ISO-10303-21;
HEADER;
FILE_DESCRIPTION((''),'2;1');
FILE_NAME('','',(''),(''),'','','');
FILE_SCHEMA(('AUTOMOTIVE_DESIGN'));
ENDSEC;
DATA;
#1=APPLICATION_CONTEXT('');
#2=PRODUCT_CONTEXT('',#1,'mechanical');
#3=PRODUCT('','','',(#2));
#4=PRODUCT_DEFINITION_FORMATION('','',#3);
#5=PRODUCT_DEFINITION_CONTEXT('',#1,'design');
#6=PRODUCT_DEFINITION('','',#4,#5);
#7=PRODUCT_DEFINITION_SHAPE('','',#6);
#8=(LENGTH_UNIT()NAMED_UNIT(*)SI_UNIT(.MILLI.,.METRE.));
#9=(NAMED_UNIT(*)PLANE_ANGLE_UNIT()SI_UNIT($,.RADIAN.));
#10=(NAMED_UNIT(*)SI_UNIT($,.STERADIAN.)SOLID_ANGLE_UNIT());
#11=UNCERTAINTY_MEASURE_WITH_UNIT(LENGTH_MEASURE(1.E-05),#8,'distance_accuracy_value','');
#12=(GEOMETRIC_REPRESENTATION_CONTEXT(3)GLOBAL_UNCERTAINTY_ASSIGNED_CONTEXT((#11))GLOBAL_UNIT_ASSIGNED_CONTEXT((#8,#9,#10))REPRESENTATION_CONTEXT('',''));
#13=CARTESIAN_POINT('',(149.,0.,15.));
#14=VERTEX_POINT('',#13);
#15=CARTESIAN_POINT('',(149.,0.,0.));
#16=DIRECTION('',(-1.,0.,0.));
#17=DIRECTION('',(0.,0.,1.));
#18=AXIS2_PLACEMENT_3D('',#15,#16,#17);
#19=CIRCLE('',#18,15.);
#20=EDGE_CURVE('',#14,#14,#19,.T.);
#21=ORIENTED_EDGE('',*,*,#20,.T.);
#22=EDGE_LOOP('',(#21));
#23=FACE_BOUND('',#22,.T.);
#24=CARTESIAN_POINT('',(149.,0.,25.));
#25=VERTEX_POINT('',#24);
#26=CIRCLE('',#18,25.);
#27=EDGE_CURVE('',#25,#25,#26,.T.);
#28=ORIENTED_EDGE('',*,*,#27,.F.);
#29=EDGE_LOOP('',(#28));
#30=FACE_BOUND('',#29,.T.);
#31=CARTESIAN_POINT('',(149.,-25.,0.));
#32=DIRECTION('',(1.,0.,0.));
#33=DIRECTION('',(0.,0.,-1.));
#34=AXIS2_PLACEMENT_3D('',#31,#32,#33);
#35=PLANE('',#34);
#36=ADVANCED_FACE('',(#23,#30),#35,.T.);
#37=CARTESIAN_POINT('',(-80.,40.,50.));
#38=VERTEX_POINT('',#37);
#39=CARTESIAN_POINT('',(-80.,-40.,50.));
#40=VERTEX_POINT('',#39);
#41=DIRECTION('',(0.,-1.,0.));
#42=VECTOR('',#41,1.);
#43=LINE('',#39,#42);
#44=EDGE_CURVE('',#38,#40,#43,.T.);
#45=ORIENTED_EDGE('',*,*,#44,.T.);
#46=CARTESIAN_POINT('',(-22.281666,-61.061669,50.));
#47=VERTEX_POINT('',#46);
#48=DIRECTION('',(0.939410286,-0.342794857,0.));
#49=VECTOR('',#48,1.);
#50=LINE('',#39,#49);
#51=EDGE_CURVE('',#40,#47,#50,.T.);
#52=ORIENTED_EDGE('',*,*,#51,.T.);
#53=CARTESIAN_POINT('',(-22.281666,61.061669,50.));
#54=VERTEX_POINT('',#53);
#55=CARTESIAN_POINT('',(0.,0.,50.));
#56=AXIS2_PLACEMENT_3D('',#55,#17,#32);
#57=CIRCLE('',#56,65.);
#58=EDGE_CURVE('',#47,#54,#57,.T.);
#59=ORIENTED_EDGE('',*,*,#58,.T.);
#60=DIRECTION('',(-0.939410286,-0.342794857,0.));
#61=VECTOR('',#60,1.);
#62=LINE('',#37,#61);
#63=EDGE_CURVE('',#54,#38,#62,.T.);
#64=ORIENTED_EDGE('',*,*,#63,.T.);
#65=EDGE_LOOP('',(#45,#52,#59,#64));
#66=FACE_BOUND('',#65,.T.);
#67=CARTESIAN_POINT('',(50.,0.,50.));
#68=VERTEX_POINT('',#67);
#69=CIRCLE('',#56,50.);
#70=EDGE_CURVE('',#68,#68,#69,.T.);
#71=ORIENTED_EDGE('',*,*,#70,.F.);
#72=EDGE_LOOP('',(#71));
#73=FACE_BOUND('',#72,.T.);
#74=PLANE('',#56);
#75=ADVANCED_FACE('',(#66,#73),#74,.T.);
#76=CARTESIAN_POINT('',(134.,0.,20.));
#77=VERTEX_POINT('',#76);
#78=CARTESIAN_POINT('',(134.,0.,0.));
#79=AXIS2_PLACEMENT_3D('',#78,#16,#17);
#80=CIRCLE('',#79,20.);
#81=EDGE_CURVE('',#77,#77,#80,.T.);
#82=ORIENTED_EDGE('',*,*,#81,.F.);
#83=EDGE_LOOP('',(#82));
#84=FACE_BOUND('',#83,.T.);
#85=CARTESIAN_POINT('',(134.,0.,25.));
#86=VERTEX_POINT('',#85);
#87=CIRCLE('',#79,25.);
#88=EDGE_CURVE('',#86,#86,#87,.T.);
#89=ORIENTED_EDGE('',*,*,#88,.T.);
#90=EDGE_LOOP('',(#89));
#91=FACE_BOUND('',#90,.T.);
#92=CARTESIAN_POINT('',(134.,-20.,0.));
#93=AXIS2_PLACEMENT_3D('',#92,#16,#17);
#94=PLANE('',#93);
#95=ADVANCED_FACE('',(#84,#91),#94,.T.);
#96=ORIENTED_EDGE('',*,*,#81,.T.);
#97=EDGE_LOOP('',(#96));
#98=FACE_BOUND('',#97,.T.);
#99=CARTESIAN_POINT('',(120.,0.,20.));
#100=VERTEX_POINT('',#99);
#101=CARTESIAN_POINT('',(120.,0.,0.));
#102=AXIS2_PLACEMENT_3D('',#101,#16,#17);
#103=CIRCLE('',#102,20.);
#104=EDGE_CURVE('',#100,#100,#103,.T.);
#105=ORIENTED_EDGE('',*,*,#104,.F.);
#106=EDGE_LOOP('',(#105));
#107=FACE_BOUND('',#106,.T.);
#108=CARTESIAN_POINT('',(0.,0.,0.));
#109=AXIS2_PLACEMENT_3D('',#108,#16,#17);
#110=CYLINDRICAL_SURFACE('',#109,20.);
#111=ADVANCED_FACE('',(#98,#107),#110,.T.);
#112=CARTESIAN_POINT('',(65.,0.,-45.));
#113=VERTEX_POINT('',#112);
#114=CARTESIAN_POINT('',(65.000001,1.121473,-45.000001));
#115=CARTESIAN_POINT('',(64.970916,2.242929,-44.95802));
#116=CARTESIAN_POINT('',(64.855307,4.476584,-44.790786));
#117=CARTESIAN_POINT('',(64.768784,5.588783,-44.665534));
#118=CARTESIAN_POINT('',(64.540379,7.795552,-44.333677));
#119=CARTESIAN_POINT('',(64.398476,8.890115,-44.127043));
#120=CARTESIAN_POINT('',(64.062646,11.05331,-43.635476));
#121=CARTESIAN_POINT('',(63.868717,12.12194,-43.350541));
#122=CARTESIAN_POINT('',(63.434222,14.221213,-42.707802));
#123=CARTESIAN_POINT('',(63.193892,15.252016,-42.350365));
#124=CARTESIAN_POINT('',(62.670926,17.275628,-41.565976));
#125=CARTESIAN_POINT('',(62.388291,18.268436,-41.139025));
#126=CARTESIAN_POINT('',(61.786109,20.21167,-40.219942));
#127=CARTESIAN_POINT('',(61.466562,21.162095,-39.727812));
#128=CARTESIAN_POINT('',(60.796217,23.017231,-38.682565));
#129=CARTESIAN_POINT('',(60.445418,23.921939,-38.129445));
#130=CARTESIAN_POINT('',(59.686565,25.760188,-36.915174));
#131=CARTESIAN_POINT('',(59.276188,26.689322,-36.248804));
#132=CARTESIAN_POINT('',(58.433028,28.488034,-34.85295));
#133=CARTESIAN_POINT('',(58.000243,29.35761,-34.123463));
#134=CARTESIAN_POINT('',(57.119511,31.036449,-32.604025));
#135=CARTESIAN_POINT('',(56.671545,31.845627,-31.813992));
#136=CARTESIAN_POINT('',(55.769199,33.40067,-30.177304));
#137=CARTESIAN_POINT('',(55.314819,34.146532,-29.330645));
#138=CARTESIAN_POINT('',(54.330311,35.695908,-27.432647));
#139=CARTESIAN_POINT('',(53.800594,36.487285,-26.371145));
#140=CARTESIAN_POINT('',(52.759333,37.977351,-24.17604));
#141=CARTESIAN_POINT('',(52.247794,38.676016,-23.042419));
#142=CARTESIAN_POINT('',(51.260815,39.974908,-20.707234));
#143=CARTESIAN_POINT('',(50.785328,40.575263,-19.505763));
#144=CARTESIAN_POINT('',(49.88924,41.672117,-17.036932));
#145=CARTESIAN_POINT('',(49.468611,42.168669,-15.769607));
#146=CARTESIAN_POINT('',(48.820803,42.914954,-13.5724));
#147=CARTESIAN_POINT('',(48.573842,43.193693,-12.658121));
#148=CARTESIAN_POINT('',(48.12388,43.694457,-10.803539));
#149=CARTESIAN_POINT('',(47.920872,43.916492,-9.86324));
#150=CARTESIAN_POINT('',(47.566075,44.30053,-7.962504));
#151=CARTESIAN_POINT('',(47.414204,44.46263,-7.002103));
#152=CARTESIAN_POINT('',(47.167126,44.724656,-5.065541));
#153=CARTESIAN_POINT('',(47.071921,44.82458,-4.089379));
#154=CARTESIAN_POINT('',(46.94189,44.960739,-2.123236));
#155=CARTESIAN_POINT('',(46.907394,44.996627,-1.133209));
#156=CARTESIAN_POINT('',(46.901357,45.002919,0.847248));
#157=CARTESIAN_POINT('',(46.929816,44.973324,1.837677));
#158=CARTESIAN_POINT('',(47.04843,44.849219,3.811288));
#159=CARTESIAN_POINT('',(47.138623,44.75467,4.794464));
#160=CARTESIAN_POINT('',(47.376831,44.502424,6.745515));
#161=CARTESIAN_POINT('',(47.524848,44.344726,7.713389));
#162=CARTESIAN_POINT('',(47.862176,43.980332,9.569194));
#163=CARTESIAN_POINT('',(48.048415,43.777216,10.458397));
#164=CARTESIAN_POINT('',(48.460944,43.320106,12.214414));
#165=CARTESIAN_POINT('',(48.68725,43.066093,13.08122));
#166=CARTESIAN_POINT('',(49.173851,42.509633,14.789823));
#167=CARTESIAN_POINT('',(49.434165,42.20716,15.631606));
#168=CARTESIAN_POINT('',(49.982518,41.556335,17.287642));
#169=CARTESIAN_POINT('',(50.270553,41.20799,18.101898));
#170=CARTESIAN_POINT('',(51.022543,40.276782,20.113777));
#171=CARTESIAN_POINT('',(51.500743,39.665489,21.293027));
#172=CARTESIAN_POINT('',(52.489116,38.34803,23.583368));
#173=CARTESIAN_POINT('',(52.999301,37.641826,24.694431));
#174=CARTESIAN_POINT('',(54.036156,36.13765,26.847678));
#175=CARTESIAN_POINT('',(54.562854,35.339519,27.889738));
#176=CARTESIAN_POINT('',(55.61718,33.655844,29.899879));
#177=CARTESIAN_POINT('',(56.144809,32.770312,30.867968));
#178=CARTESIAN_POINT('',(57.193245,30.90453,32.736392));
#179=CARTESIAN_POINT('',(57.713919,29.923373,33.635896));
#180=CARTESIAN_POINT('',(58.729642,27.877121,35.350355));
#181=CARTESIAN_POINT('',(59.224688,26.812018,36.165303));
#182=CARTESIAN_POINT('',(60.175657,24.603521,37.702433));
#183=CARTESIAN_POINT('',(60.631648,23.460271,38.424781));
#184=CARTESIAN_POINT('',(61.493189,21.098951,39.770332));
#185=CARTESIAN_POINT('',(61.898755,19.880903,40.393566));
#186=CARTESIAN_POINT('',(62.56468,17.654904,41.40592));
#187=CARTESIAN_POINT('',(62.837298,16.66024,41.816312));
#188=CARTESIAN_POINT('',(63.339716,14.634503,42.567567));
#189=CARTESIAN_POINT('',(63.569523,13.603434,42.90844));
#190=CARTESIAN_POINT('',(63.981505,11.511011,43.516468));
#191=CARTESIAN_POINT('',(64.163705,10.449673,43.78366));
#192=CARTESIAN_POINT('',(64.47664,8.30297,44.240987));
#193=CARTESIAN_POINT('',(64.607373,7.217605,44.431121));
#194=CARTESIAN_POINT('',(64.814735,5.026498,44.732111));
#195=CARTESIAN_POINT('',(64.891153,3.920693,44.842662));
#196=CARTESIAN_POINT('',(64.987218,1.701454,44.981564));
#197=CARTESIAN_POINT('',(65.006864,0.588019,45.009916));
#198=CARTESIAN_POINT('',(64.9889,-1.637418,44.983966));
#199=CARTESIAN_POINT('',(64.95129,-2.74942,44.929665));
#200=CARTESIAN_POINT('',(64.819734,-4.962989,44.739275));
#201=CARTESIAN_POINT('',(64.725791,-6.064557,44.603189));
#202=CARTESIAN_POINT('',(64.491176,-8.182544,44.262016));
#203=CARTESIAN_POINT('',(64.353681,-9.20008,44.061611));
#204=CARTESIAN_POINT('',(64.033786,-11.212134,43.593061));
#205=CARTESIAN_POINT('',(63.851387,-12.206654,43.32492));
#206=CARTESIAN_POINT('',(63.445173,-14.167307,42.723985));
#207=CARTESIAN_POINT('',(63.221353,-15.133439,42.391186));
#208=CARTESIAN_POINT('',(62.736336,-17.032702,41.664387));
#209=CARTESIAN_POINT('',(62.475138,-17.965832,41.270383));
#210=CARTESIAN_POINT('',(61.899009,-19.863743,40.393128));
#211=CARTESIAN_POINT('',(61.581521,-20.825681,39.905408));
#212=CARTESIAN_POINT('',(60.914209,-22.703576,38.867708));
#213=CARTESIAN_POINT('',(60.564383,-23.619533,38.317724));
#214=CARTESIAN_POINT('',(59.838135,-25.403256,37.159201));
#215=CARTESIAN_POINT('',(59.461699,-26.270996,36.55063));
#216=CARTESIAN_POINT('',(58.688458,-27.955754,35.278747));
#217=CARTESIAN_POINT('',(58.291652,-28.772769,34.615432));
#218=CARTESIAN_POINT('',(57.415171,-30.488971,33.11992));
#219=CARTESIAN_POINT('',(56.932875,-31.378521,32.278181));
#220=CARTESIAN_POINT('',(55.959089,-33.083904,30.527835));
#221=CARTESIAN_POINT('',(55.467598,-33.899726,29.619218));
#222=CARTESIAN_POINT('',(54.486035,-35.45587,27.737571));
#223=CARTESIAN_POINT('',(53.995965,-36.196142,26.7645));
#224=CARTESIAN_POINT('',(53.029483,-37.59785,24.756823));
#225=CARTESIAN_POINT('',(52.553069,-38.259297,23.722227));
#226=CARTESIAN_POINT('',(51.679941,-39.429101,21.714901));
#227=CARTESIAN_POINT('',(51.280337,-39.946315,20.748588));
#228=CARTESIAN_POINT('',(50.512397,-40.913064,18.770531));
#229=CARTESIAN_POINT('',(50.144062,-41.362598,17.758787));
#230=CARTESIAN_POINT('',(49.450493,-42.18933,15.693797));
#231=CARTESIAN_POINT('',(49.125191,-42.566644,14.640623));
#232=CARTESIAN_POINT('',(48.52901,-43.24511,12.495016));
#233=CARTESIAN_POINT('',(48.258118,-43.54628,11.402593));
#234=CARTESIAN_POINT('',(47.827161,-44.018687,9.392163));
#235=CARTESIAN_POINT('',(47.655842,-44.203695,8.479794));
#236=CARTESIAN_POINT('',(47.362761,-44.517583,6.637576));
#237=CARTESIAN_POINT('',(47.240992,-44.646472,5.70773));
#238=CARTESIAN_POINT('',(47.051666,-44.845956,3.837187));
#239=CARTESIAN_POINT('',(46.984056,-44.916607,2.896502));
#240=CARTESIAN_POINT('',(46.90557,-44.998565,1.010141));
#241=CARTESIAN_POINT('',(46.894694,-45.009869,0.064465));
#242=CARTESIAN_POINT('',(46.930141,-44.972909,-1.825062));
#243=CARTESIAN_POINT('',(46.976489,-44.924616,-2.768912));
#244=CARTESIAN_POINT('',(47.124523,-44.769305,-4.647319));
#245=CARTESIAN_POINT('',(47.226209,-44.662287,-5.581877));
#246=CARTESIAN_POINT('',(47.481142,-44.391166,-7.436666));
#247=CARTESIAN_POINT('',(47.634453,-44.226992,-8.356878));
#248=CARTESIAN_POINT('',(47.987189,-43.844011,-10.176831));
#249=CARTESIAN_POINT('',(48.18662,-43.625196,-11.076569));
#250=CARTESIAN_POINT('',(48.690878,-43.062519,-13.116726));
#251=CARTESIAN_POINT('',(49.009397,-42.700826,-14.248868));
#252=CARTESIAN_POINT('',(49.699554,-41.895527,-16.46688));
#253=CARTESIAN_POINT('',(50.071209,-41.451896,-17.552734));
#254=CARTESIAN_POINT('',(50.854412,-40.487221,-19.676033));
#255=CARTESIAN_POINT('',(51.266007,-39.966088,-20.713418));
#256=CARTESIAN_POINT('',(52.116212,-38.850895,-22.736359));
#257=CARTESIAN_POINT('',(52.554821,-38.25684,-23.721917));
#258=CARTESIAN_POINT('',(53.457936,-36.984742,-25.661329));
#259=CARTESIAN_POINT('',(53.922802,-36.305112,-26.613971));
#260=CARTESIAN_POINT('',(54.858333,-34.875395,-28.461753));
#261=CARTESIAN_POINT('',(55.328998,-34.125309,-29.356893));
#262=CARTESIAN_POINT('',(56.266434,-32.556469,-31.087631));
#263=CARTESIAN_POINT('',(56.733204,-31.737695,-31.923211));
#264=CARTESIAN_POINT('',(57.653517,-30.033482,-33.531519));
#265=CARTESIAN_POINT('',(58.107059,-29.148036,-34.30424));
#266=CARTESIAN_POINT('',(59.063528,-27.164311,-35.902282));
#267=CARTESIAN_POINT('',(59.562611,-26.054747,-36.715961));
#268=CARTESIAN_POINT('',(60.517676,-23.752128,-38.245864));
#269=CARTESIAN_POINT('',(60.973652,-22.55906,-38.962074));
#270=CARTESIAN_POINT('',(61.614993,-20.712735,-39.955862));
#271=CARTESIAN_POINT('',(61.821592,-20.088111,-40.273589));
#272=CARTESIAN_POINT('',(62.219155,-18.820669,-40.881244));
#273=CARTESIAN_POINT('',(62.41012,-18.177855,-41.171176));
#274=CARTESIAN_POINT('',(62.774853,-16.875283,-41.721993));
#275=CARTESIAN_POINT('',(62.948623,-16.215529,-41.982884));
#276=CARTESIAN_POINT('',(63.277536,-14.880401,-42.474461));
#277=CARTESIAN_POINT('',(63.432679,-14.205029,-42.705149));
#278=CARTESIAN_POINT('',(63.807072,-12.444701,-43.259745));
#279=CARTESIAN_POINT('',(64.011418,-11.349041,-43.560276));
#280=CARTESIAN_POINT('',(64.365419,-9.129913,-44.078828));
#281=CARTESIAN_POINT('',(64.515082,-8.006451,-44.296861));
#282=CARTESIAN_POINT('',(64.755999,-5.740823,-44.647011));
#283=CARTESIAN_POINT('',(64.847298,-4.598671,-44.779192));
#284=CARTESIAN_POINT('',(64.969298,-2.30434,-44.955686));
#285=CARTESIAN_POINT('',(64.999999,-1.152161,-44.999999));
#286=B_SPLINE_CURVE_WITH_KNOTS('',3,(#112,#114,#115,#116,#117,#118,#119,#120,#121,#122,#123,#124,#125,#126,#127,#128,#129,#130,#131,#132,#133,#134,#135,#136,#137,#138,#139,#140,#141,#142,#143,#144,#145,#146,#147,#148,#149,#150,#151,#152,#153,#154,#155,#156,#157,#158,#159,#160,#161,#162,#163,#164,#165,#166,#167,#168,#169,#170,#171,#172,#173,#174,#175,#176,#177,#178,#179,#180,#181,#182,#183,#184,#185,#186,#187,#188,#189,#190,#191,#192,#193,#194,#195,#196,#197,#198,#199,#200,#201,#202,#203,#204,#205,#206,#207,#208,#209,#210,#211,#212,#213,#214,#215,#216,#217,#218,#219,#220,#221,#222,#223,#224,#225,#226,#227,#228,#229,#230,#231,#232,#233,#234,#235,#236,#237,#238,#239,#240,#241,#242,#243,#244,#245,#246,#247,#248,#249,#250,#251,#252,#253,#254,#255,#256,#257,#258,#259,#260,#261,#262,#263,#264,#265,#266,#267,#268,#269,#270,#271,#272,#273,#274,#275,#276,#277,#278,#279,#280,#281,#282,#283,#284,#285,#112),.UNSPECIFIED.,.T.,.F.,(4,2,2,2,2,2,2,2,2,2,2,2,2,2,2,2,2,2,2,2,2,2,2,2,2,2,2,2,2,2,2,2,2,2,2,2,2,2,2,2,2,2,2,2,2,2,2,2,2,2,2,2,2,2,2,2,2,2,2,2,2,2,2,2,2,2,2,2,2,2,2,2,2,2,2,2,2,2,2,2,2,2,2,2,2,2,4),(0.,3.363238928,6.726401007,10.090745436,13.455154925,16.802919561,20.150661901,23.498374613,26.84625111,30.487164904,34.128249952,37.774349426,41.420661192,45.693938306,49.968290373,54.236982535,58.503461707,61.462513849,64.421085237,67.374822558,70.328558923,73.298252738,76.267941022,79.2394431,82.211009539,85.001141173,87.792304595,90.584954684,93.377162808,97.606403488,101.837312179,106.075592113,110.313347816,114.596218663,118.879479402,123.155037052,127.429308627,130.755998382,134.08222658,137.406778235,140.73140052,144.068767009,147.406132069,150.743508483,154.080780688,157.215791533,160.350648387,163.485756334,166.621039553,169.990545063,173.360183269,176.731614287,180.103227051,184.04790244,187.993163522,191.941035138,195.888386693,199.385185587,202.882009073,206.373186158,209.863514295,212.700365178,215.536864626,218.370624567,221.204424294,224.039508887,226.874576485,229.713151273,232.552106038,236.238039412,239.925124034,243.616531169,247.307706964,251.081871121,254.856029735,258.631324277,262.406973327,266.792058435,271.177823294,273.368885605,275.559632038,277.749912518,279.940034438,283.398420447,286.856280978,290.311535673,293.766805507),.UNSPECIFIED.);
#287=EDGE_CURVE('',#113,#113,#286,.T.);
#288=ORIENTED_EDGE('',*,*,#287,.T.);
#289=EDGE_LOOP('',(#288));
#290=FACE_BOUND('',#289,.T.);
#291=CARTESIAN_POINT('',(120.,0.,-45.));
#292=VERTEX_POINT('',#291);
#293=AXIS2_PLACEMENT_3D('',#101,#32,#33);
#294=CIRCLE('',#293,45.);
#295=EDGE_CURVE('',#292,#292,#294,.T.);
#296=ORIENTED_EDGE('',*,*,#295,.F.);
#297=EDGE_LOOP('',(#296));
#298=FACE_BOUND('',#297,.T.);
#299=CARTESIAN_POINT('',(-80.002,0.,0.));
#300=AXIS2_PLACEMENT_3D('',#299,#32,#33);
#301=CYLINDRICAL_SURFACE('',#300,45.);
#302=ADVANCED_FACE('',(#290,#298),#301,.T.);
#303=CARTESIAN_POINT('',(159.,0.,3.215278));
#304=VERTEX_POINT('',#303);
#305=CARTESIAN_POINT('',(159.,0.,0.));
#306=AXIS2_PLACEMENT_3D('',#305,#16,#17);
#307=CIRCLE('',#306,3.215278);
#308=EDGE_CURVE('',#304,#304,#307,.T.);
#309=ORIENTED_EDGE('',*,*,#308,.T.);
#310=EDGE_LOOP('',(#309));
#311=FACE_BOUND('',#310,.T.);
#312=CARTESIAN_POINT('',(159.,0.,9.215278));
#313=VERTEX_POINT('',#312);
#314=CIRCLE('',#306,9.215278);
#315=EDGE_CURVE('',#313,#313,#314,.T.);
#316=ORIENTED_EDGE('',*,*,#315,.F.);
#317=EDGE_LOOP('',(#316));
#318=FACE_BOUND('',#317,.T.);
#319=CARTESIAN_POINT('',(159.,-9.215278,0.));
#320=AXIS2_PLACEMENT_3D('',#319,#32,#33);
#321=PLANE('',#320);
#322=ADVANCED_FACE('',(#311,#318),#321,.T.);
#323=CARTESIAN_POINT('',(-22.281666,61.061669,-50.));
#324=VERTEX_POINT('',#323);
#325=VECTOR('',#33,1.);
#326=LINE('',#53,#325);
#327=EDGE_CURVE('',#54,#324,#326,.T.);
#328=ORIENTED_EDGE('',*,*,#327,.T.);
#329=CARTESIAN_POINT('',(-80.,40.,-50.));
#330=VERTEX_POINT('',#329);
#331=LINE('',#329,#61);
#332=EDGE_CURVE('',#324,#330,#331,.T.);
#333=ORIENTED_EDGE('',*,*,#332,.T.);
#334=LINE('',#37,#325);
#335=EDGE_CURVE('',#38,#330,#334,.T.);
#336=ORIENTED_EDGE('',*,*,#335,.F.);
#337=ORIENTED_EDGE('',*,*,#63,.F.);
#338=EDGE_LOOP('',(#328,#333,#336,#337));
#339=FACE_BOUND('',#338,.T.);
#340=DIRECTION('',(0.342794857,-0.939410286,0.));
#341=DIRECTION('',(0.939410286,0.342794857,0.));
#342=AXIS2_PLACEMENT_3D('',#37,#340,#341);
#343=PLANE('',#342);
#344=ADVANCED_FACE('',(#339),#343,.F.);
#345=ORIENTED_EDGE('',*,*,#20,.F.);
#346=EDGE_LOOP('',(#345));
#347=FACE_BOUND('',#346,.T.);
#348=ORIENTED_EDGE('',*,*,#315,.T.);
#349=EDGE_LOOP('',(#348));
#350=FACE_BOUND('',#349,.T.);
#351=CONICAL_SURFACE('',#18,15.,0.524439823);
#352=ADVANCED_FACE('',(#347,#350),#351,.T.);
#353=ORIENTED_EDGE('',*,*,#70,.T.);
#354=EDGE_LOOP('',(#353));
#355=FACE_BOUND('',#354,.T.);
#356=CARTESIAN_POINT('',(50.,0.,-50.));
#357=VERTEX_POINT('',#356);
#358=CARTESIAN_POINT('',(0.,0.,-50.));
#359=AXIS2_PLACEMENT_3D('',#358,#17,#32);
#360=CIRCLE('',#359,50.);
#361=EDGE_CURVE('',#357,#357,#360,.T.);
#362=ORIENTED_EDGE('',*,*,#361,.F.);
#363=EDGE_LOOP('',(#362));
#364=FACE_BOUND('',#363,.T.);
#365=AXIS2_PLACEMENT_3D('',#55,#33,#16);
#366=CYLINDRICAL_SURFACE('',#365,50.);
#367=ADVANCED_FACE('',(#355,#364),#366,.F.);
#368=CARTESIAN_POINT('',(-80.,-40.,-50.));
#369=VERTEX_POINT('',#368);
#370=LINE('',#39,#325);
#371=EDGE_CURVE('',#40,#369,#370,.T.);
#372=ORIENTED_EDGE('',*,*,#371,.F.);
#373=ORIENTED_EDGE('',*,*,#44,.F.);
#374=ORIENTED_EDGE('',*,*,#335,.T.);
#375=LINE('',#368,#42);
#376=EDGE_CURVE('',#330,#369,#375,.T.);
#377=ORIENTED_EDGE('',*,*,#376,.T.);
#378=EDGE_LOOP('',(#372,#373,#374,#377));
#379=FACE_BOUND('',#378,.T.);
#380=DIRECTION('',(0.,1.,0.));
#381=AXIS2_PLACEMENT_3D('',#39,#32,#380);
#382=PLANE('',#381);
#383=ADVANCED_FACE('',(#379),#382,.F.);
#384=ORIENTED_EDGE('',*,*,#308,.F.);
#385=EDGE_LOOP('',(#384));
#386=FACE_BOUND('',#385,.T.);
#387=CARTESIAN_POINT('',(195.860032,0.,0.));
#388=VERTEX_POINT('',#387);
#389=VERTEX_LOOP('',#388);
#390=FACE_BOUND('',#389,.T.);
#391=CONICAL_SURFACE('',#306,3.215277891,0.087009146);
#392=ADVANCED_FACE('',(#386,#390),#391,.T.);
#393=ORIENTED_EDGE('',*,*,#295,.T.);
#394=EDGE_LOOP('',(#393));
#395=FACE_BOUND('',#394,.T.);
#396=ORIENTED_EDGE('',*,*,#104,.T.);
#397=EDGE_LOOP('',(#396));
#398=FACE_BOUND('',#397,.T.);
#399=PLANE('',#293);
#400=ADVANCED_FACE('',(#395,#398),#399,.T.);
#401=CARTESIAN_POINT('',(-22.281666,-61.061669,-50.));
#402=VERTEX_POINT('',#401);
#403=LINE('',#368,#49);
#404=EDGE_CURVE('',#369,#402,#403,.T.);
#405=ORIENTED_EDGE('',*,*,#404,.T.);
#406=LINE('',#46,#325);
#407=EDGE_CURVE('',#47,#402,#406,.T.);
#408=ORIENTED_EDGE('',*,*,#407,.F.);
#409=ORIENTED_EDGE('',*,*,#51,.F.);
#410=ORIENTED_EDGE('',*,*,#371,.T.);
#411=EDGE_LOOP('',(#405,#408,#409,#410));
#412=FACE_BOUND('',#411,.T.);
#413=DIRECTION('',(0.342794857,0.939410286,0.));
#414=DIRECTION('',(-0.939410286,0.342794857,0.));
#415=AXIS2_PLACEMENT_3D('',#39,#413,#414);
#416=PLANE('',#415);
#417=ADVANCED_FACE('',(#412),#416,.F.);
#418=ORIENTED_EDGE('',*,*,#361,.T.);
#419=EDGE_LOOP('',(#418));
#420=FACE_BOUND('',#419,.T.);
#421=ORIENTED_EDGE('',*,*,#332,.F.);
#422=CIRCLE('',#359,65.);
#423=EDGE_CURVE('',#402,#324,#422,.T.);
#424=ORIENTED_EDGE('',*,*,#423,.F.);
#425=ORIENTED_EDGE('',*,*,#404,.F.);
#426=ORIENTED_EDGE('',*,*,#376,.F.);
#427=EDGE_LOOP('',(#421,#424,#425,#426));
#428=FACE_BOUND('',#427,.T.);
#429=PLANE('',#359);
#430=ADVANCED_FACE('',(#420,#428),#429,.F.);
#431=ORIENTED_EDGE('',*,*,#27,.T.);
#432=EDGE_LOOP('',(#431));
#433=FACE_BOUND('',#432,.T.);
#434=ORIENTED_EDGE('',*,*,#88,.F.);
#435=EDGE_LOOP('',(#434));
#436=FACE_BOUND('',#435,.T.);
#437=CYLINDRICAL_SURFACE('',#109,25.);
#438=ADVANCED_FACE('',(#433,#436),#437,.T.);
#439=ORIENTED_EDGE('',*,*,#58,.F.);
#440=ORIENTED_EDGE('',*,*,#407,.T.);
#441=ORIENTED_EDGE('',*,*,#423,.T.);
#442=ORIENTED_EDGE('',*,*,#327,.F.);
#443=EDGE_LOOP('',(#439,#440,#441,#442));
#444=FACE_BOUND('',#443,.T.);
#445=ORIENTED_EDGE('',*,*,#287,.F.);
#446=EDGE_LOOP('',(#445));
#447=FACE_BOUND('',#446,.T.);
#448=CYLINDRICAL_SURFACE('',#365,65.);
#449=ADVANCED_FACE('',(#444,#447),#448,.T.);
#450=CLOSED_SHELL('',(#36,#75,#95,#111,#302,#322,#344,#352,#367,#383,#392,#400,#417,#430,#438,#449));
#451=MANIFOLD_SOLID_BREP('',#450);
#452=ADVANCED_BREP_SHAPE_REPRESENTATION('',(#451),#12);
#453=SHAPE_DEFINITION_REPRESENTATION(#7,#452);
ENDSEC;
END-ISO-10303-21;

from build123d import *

# Parameters (mm, degrees)
CROQUIS1_R                   = 50
SALIENTE_EXTRUIR1_DEPTH      = 50
SALIENTE_EXTRUIR2_REACH      = 218.16
SALIENTE_EXTRUIR2_END_RADIUS = 65
CROQUIS2_R                   = 45


with BuildPart() as part:
    # Croquis1 → Saliente-Extruir1 (new, symmetric)
    with BuildSketch(Plane.XY):
        with BuildLine():
            Line((-80, -40), (-80, 40))
            Line((-80, 40), (-22.281665693, 61.061668614))
            ThreePointArc((-22.281665693, 61.061668614), (65, 0), (-22.281665693, -61.061668614))
            Line((-22.281665693, -61.061668614), (-80, -40))
        make_face()
        Circle(CROQUIS1_R, mode=Mode.SUBTRACT)
    extrude(amount=SALIENTE_EXTRUIR1_DEPTH, both=True)

    # Saliente-Extruir2: up to this cylinder (the profile starts outside it)
    saliente_extruir2_end = Plane(origin=(0, 0, 0), z_dir=(0, 0, -1)) * Cylinder(SALIENTE_EXTRUIR2_END_RADIUS, 567.32, mode=Mode.PRIVATE)
    # Croquis2 → Saliente-Extruir2 (add, up to the surface)
    with BuildSketch(Plane(origin=(120, 0, 0), x_dir=(0, 0, -1), z_dir=(1, 0, 0)), mode=Mode.PRIVATE) as saliente_extruir2_sk1:
        Circle(CROQUIS2_R)
    saliente_extruir2_tool1 = extrude(saliente_extruir2_sk1.sketch, amount=-SALIENTE_EXTRUIR2_REACH, mode=Mode.PRIVATE) - saliente_extruir2_end
    add(saliente_extruir2_tool1.solids().sort_by_distance((120, 0, 0))[0])

    # Croquis3 → Revolución1 (revolve)
    with BuildSketch(Plane.XY, mode=Mode.PRIVATE) as revoluci_n1_sk:
        Polygon((120, 0), (120, -20), (134, -20), (134, -25), (149, -25), (149, -15), (159, -9.215277891), (159, -3.215277891), (195.860032394, 0), align=None)
    revolve(revoluci_n1_sk.sketch.rotate(Axis((0, 0, 0), (1, 0, 0)), 270), axis=Axis((0, 0, 0), (1, 0, 0)))


solid = part.part
